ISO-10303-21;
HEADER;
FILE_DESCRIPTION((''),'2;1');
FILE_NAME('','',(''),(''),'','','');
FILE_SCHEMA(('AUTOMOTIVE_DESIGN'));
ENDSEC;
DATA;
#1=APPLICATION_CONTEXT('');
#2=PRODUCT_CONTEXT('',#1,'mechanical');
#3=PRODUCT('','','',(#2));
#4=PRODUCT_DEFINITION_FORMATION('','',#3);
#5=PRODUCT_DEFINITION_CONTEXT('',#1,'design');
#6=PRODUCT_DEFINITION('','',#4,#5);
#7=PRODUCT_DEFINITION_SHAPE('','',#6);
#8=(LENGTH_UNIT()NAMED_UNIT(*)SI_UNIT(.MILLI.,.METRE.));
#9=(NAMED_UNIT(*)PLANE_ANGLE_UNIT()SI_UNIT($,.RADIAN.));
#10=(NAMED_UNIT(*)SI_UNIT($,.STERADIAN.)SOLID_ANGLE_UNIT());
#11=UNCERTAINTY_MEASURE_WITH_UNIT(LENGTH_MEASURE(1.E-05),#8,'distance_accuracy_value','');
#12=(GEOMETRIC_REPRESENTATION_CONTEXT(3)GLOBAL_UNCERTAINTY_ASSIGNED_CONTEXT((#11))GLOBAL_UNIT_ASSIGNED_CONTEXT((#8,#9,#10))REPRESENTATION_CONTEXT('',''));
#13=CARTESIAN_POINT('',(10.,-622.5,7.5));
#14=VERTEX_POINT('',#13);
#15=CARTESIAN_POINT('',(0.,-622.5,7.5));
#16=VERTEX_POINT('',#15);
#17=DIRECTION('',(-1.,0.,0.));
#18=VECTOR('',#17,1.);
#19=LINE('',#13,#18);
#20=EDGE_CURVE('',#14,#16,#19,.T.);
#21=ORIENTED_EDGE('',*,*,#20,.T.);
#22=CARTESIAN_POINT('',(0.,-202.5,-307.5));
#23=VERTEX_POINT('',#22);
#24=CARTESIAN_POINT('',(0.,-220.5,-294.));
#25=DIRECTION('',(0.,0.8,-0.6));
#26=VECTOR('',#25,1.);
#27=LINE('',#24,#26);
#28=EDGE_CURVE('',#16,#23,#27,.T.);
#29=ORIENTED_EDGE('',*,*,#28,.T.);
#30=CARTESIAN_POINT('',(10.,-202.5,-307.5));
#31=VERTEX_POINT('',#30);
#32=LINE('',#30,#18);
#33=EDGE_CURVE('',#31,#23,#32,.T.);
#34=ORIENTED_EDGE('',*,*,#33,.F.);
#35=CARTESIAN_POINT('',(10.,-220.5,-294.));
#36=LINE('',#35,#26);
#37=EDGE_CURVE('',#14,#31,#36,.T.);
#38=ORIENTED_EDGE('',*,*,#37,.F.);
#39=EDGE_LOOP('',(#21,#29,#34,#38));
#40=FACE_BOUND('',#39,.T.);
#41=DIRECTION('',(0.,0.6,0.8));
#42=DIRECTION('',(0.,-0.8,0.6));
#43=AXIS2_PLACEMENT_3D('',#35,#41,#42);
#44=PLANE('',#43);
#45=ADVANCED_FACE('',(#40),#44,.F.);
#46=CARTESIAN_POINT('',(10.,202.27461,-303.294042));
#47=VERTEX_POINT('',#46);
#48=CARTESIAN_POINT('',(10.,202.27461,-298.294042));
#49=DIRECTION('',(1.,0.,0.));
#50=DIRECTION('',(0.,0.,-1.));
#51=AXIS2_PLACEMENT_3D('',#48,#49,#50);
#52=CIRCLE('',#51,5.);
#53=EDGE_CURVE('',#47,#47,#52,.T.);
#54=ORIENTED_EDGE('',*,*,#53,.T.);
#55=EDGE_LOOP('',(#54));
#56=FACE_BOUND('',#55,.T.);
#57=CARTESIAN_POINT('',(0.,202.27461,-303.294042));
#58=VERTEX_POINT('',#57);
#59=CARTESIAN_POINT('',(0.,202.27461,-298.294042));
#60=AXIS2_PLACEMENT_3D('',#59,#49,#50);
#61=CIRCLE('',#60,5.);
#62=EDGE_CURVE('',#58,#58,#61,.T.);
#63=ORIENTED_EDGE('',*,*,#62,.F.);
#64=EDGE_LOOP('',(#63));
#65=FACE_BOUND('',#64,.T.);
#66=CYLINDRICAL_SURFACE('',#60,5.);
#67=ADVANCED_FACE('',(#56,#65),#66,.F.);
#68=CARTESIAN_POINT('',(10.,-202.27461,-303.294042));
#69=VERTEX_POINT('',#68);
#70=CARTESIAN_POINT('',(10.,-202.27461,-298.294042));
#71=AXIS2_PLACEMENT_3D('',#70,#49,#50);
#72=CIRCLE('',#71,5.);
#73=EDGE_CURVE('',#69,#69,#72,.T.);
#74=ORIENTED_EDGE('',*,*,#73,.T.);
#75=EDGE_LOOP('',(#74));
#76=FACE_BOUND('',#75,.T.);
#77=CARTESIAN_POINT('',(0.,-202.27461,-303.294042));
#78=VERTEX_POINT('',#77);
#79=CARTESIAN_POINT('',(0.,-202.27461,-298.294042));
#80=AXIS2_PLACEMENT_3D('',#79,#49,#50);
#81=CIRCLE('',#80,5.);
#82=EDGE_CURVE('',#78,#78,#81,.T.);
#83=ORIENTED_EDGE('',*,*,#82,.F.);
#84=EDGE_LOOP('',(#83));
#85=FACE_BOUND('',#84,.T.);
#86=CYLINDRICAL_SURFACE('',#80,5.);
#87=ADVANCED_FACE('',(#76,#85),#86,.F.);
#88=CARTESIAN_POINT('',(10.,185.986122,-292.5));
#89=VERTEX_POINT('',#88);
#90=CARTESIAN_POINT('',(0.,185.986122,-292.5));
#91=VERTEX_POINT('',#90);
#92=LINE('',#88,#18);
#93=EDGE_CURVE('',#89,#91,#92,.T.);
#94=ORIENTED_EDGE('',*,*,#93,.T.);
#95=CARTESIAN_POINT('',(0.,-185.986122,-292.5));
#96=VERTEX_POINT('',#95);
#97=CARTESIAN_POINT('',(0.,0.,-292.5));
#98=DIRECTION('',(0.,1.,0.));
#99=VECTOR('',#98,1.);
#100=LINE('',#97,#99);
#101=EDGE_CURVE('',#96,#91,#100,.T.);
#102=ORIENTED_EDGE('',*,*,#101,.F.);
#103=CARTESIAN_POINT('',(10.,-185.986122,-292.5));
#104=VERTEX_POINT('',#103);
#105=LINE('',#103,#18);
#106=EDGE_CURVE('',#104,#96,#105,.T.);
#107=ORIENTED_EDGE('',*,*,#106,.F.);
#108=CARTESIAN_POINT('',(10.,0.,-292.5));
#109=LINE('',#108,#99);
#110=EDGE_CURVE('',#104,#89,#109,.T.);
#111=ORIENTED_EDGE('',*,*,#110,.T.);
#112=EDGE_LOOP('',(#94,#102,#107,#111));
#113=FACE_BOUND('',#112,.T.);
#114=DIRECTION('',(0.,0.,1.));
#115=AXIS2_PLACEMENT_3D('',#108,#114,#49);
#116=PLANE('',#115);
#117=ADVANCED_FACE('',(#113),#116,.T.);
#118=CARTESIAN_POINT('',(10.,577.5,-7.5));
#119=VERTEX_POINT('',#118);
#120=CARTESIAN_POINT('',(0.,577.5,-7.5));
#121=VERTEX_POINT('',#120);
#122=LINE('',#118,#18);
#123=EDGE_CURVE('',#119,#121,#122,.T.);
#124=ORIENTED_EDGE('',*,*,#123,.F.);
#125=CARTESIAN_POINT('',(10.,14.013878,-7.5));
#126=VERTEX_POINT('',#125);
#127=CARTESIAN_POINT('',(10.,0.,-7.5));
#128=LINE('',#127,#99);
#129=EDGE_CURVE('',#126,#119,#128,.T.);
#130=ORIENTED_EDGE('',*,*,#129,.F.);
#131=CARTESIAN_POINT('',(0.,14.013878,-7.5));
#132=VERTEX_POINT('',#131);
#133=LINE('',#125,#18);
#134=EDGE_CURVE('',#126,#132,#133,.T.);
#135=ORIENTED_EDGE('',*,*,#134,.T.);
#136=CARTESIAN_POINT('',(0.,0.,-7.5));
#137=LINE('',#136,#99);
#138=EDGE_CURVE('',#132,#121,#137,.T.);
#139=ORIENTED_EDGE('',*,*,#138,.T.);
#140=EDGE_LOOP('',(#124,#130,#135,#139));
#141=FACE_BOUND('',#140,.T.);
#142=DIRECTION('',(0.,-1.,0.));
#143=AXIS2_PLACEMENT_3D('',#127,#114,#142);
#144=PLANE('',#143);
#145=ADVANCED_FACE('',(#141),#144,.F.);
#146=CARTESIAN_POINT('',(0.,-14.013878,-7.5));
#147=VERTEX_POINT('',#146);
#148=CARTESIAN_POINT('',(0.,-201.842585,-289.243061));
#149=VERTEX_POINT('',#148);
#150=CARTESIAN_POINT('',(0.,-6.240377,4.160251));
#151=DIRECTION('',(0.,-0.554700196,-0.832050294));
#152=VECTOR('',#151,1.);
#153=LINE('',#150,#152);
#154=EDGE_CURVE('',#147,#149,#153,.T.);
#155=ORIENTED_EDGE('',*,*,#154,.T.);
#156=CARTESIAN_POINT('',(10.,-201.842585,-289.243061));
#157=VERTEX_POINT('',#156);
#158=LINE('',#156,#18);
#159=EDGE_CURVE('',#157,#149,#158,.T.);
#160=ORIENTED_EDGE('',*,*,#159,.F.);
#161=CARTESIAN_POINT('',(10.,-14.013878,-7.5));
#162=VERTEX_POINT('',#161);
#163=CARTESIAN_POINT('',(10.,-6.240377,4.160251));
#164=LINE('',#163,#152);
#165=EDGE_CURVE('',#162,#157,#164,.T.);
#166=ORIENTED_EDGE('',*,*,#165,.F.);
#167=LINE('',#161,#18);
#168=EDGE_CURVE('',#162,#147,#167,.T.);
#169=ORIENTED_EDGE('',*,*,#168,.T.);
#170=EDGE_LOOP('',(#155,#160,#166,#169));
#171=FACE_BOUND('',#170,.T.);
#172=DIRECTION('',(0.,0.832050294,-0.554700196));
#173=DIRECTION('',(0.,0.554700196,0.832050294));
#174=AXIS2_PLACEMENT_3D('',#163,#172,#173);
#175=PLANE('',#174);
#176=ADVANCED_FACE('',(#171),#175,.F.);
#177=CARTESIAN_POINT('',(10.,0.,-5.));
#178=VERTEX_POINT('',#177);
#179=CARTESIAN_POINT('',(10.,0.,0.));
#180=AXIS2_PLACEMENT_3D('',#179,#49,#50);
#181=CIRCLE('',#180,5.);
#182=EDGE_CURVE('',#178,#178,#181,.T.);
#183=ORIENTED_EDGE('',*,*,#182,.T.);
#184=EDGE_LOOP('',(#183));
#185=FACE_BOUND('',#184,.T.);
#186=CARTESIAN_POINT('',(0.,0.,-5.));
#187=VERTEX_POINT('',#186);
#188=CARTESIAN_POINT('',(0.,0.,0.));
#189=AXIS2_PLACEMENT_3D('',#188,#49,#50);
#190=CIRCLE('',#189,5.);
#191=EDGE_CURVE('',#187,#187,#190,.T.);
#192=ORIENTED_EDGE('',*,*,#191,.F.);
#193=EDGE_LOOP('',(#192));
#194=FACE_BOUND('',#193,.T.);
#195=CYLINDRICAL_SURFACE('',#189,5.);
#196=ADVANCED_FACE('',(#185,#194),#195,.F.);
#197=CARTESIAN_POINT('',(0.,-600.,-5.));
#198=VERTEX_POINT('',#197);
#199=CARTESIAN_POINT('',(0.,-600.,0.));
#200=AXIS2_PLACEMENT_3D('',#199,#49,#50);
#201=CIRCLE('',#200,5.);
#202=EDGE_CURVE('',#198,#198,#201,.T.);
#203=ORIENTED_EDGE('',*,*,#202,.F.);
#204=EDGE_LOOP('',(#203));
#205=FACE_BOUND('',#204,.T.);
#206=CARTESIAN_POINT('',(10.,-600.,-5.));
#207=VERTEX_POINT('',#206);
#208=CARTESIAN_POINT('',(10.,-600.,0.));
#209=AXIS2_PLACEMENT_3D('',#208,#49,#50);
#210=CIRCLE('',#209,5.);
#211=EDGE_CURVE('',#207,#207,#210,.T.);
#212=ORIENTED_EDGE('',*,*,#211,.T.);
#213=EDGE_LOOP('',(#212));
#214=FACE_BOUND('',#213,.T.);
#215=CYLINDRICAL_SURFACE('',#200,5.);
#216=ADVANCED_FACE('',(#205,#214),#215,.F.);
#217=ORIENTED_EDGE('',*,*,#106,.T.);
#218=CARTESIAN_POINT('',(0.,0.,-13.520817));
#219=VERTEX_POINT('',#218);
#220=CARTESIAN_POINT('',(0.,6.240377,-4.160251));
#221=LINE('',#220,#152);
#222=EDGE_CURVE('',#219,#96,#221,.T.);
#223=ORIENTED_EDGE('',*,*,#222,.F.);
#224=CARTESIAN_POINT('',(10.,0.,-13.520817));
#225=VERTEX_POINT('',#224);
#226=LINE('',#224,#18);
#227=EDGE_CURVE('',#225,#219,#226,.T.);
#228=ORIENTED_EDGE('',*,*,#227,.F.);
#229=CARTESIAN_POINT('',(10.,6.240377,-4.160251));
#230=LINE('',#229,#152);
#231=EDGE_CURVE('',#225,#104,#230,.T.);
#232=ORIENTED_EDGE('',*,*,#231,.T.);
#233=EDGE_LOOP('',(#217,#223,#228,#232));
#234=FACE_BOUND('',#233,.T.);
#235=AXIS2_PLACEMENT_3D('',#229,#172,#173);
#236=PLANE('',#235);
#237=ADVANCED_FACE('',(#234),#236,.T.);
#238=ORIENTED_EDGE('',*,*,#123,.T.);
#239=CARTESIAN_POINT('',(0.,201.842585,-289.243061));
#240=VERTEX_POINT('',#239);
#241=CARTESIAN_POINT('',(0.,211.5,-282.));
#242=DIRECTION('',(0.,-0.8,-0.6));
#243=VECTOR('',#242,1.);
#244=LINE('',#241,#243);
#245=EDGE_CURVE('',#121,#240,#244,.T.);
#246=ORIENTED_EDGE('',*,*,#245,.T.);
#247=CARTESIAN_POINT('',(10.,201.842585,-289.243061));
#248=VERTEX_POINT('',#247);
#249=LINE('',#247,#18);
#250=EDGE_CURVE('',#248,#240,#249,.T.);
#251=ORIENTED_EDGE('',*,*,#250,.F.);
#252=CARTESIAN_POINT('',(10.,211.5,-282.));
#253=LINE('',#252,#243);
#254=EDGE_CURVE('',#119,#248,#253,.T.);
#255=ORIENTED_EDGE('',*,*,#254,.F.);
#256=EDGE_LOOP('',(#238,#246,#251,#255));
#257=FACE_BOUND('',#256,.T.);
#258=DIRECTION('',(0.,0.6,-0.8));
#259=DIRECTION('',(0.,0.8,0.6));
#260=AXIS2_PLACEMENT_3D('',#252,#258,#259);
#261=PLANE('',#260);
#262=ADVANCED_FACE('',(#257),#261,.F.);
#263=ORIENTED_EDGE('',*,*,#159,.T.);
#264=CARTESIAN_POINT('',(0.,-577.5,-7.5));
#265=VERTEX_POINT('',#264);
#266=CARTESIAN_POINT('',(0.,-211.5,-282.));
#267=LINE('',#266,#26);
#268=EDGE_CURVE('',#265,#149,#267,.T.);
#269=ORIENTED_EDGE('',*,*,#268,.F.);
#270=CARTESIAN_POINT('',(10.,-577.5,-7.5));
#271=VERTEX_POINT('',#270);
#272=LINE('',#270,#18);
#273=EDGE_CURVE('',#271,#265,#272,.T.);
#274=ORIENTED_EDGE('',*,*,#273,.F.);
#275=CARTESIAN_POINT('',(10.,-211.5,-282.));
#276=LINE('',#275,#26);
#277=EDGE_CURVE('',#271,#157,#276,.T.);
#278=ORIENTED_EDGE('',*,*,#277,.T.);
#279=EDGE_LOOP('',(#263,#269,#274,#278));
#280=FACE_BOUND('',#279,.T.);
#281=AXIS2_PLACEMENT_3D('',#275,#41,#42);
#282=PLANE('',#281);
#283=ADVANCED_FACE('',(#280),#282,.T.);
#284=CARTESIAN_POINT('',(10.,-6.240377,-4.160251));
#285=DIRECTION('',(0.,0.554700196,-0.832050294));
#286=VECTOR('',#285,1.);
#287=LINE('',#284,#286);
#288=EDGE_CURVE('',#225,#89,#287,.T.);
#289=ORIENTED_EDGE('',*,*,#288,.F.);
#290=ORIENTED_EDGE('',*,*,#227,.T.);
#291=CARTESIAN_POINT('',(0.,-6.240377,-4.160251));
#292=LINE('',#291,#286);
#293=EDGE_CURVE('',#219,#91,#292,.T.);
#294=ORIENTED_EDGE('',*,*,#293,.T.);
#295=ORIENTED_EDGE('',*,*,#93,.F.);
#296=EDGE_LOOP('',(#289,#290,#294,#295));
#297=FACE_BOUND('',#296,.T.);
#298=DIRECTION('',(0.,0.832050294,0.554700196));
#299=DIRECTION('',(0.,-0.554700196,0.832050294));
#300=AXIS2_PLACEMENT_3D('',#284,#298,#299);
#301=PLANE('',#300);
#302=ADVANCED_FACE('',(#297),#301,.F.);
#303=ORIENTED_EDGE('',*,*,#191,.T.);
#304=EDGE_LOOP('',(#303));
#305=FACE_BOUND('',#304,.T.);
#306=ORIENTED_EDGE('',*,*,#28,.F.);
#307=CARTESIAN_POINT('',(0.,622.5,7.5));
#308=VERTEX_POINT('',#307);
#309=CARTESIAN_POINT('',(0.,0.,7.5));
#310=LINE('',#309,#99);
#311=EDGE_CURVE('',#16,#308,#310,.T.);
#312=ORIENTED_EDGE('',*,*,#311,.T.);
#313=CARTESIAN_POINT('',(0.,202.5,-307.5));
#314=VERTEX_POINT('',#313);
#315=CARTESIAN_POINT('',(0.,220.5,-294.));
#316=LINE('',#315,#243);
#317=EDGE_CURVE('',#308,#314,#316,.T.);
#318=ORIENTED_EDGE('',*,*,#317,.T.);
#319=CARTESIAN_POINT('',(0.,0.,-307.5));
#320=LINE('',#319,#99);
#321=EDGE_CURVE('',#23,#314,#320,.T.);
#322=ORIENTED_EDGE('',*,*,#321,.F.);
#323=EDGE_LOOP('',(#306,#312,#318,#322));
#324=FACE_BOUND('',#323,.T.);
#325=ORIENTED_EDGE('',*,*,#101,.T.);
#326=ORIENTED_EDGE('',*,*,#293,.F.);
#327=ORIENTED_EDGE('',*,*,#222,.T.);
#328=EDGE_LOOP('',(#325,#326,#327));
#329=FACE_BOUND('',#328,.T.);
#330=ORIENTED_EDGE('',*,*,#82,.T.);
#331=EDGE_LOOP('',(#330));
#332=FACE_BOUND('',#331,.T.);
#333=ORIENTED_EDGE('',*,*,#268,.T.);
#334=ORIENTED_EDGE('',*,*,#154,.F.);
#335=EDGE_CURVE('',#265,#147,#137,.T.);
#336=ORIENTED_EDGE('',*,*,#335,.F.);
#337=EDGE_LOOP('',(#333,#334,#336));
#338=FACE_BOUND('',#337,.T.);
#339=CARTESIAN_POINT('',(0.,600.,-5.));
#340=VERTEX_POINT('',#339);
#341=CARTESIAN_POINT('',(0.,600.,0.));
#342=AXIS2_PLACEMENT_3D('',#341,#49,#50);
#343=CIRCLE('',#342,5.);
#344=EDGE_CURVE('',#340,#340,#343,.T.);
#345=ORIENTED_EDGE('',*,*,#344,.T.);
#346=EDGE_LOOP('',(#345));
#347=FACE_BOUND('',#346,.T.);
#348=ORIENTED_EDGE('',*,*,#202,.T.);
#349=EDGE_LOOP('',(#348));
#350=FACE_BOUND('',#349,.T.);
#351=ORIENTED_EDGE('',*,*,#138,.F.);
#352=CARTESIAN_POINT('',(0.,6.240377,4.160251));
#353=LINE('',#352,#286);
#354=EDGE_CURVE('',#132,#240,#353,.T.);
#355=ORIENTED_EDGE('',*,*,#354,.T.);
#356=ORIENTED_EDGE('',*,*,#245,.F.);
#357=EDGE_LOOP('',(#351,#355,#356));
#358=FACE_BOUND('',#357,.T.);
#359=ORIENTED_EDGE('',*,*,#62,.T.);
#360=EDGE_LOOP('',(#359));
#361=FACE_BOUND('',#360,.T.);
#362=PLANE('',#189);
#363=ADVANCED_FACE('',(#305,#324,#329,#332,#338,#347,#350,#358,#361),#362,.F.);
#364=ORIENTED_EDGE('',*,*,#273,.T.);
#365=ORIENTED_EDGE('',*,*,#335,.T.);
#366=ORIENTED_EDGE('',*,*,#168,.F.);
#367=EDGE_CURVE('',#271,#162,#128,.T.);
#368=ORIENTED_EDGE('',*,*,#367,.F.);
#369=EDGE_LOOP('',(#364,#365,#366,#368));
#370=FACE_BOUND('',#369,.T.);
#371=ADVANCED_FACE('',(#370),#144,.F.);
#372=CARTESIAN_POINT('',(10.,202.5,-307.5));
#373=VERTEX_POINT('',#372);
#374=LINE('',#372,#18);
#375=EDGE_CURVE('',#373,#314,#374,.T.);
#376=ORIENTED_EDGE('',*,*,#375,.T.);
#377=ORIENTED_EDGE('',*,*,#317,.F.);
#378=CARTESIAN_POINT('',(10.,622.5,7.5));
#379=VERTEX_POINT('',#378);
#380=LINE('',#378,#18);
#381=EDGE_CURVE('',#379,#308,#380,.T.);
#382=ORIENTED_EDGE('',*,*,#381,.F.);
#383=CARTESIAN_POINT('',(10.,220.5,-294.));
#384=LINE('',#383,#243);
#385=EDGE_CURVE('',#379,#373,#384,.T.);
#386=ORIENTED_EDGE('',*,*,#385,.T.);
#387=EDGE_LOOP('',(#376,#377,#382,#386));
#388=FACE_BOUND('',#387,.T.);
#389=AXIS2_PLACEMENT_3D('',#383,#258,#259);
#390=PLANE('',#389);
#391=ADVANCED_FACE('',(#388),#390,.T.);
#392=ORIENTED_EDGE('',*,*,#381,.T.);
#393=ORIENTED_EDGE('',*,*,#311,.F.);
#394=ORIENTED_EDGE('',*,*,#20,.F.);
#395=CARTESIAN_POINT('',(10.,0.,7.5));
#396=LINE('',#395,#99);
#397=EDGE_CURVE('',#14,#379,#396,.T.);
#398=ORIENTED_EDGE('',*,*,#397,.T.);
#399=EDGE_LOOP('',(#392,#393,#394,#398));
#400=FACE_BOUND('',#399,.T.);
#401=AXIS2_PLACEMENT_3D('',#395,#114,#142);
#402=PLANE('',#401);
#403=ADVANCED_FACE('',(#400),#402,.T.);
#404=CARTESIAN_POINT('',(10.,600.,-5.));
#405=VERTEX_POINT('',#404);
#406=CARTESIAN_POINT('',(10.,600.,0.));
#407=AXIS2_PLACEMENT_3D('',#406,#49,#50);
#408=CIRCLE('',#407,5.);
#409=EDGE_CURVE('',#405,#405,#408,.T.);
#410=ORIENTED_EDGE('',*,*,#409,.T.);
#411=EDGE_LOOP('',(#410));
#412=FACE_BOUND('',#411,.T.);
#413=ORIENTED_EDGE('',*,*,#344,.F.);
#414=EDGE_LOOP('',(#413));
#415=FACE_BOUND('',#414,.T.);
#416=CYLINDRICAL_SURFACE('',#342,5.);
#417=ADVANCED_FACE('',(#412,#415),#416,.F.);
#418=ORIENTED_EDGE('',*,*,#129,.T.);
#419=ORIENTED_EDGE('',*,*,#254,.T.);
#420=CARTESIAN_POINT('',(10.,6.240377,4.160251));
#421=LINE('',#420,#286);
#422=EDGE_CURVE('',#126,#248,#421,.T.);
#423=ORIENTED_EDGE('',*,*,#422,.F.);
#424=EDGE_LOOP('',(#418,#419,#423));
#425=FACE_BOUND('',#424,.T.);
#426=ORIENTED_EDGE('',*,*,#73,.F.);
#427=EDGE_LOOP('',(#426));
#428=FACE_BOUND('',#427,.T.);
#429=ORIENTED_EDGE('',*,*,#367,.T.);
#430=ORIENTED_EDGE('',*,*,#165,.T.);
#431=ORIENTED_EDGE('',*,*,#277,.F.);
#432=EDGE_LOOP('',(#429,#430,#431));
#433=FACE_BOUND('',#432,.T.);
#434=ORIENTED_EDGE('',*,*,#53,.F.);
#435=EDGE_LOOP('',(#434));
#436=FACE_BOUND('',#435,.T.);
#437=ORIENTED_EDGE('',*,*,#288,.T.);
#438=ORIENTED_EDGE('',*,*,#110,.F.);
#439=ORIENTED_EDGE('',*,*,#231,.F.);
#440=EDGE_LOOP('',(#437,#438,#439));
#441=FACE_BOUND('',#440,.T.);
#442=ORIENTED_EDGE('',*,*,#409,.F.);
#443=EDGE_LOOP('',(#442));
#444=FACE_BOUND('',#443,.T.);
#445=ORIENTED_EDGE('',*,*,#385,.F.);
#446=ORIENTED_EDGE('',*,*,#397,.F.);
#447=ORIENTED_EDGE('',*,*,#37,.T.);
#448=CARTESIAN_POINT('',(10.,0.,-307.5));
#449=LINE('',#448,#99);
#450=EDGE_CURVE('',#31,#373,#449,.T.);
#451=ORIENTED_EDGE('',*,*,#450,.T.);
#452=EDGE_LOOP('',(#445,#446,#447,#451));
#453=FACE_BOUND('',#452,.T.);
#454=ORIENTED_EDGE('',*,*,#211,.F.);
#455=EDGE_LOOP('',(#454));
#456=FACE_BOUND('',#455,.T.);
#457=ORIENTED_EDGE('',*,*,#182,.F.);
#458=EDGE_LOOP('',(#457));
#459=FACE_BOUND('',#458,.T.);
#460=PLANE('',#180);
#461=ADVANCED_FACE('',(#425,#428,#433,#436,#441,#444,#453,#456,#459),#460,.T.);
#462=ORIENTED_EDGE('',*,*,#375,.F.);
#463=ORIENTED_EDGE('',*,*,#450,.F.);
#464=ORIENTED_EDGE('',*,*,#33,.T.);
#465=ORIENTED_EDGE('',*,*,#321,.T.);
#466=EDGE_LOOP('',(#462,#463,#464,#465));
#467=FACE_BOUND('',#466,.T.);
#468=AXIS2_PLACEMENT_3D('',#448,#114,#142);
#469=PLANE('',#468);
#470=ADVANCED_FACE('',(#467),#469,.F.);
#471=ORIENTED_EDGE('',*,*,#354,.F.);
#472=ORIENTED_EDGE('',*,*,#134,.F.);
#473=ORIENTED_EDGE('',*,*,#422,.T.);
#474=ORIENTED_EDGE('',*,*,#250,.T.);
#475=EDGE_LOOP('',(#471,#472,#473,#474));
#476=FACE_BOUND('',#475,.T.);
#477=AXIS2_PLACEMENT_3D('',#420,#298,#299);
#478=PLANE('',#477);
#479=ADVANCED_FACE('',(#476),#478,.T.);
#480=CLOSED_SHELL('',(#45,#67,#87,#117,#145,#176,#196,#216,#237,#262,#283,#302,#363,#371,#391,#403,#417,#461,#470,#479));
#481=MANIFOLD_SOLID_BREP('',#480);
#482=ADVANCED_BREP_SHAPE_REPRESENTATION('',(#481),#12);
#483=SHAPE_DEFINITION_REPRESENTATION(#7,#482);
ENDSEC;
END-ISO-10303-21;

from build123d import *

# Parameters (mm, degrees)
BOSS_EXTRUDE2_DEPTH = 10
SKETCH6_R           = 5
CUT_EXTRUDE3_DEPTH  = 10


with BuildPart() as part:
    # Sketch4 → Boss-Extrude2 (new body)
    with BuildSketch(Plane.YZ):
        Polygon((-185.986121811, -292.5), (-190.986121811, -300), (190.986121811, -300), (185.986121811, -292.5), align=None)
        Polygon((600, 0), (9.013878189, 0), (14.013878189, -7.5), (577.5, -7.5), (201.842585459, -289.243060906), (197.5, -292.5), (195, -292.5), (200, -300), align=None)
        Polygon((-200, -300), (-600, 0), (-9.013878189, 0), (0, 0), (9.013878189, 0), (600, 0), (200, -300), (190.986121811, -300), (195.986121811, -307.5), (202.5, -307.5), (622.5, 7.5), (-622.5, 7.5), (-202.5, -307.5), (-195.986121811, -307.5), (-190.986121811, -300), align=None)
        Polygon((-9.013878189, 0), (-600, 0), (-200, -300), (-195, -292.5), (-197.5, -292.5), (-201.842585459, -289.243060906), (-577.5, -7.5), (-14.013878189, -7.5), align=None)
        Polygon((-5, -7.5), (-14.013878189, -7.5), (-201.842585459, -289.243060906), (-197.5, -292.5), (-195, -292.5), align=None)
        Polygon((-5, -7.5), (-195, -292.5), (-185.986121811, -292.5), (0, -13.520817283), (185.986121811, -292.5), (195, -292.5), (5, -7.5), align=None)
        Polygon((-195, -292.5), (-200, -300), (-190.986121811, -300), (-185.986121811, -292.5), align=None)
        Polygon((190.986121811, -300), (-190.986121811, -300), (-195.986121811, -307.5), (195.986121811, -307.5), align=None)
        Polygon((14.013878189, -7.5), (5, -7.5), (195, -292.5), (197.5, -292.5), (201.842585459, -289.243060906), align=None)
        Polygon((185.986121811, -292.5), (190.986121811, -300), (200, -300), (195, -292.5), align=None)
        Polygon((0, 0), (-9.013878189, 0), (-14.013878189, -7.5), (-5, -7.5), align=None)
        Polygon((9.013878189, 0), (0, 0), (5, -7.5), (14.013878189, -7.5), align=None)
        Polygon((5, -7.5), (0, 0), (-5, -7.5), align=None)
    extrude(amount=BOSS_EXTRUDE2_DEPTH)

    # Sketch6 → Cut-Extrude3 (cut)
    with BuildSketch(Plane.YZ.offset(10)):
        with Locations(Location((0, 0, 0), (0, 0, 270))):
            Circle(SKETCH6_R)
        with Locations(Location((-600, 0, 0), (0, 0, 270))):
            Circle(SKETCH6_R)
        with Locations(Location((-202.274610117, -298.294042412, 0), (0, 0, 270))):
            Circle(SKETCH6_R)
        with Locations(Location((202.274610117, -298.294042412, 0), (0, 0, 270))):
            Circle(SKETCH6_R)
        with Locations(Location((600, 0, 0), (0, 0, 270))):
            Circle(SKETCH6_R)
    extrude(amount=-CUT_EXTRUDE3_DEPTH, mode=Mode.SUBTRACT)


solid = part.part
